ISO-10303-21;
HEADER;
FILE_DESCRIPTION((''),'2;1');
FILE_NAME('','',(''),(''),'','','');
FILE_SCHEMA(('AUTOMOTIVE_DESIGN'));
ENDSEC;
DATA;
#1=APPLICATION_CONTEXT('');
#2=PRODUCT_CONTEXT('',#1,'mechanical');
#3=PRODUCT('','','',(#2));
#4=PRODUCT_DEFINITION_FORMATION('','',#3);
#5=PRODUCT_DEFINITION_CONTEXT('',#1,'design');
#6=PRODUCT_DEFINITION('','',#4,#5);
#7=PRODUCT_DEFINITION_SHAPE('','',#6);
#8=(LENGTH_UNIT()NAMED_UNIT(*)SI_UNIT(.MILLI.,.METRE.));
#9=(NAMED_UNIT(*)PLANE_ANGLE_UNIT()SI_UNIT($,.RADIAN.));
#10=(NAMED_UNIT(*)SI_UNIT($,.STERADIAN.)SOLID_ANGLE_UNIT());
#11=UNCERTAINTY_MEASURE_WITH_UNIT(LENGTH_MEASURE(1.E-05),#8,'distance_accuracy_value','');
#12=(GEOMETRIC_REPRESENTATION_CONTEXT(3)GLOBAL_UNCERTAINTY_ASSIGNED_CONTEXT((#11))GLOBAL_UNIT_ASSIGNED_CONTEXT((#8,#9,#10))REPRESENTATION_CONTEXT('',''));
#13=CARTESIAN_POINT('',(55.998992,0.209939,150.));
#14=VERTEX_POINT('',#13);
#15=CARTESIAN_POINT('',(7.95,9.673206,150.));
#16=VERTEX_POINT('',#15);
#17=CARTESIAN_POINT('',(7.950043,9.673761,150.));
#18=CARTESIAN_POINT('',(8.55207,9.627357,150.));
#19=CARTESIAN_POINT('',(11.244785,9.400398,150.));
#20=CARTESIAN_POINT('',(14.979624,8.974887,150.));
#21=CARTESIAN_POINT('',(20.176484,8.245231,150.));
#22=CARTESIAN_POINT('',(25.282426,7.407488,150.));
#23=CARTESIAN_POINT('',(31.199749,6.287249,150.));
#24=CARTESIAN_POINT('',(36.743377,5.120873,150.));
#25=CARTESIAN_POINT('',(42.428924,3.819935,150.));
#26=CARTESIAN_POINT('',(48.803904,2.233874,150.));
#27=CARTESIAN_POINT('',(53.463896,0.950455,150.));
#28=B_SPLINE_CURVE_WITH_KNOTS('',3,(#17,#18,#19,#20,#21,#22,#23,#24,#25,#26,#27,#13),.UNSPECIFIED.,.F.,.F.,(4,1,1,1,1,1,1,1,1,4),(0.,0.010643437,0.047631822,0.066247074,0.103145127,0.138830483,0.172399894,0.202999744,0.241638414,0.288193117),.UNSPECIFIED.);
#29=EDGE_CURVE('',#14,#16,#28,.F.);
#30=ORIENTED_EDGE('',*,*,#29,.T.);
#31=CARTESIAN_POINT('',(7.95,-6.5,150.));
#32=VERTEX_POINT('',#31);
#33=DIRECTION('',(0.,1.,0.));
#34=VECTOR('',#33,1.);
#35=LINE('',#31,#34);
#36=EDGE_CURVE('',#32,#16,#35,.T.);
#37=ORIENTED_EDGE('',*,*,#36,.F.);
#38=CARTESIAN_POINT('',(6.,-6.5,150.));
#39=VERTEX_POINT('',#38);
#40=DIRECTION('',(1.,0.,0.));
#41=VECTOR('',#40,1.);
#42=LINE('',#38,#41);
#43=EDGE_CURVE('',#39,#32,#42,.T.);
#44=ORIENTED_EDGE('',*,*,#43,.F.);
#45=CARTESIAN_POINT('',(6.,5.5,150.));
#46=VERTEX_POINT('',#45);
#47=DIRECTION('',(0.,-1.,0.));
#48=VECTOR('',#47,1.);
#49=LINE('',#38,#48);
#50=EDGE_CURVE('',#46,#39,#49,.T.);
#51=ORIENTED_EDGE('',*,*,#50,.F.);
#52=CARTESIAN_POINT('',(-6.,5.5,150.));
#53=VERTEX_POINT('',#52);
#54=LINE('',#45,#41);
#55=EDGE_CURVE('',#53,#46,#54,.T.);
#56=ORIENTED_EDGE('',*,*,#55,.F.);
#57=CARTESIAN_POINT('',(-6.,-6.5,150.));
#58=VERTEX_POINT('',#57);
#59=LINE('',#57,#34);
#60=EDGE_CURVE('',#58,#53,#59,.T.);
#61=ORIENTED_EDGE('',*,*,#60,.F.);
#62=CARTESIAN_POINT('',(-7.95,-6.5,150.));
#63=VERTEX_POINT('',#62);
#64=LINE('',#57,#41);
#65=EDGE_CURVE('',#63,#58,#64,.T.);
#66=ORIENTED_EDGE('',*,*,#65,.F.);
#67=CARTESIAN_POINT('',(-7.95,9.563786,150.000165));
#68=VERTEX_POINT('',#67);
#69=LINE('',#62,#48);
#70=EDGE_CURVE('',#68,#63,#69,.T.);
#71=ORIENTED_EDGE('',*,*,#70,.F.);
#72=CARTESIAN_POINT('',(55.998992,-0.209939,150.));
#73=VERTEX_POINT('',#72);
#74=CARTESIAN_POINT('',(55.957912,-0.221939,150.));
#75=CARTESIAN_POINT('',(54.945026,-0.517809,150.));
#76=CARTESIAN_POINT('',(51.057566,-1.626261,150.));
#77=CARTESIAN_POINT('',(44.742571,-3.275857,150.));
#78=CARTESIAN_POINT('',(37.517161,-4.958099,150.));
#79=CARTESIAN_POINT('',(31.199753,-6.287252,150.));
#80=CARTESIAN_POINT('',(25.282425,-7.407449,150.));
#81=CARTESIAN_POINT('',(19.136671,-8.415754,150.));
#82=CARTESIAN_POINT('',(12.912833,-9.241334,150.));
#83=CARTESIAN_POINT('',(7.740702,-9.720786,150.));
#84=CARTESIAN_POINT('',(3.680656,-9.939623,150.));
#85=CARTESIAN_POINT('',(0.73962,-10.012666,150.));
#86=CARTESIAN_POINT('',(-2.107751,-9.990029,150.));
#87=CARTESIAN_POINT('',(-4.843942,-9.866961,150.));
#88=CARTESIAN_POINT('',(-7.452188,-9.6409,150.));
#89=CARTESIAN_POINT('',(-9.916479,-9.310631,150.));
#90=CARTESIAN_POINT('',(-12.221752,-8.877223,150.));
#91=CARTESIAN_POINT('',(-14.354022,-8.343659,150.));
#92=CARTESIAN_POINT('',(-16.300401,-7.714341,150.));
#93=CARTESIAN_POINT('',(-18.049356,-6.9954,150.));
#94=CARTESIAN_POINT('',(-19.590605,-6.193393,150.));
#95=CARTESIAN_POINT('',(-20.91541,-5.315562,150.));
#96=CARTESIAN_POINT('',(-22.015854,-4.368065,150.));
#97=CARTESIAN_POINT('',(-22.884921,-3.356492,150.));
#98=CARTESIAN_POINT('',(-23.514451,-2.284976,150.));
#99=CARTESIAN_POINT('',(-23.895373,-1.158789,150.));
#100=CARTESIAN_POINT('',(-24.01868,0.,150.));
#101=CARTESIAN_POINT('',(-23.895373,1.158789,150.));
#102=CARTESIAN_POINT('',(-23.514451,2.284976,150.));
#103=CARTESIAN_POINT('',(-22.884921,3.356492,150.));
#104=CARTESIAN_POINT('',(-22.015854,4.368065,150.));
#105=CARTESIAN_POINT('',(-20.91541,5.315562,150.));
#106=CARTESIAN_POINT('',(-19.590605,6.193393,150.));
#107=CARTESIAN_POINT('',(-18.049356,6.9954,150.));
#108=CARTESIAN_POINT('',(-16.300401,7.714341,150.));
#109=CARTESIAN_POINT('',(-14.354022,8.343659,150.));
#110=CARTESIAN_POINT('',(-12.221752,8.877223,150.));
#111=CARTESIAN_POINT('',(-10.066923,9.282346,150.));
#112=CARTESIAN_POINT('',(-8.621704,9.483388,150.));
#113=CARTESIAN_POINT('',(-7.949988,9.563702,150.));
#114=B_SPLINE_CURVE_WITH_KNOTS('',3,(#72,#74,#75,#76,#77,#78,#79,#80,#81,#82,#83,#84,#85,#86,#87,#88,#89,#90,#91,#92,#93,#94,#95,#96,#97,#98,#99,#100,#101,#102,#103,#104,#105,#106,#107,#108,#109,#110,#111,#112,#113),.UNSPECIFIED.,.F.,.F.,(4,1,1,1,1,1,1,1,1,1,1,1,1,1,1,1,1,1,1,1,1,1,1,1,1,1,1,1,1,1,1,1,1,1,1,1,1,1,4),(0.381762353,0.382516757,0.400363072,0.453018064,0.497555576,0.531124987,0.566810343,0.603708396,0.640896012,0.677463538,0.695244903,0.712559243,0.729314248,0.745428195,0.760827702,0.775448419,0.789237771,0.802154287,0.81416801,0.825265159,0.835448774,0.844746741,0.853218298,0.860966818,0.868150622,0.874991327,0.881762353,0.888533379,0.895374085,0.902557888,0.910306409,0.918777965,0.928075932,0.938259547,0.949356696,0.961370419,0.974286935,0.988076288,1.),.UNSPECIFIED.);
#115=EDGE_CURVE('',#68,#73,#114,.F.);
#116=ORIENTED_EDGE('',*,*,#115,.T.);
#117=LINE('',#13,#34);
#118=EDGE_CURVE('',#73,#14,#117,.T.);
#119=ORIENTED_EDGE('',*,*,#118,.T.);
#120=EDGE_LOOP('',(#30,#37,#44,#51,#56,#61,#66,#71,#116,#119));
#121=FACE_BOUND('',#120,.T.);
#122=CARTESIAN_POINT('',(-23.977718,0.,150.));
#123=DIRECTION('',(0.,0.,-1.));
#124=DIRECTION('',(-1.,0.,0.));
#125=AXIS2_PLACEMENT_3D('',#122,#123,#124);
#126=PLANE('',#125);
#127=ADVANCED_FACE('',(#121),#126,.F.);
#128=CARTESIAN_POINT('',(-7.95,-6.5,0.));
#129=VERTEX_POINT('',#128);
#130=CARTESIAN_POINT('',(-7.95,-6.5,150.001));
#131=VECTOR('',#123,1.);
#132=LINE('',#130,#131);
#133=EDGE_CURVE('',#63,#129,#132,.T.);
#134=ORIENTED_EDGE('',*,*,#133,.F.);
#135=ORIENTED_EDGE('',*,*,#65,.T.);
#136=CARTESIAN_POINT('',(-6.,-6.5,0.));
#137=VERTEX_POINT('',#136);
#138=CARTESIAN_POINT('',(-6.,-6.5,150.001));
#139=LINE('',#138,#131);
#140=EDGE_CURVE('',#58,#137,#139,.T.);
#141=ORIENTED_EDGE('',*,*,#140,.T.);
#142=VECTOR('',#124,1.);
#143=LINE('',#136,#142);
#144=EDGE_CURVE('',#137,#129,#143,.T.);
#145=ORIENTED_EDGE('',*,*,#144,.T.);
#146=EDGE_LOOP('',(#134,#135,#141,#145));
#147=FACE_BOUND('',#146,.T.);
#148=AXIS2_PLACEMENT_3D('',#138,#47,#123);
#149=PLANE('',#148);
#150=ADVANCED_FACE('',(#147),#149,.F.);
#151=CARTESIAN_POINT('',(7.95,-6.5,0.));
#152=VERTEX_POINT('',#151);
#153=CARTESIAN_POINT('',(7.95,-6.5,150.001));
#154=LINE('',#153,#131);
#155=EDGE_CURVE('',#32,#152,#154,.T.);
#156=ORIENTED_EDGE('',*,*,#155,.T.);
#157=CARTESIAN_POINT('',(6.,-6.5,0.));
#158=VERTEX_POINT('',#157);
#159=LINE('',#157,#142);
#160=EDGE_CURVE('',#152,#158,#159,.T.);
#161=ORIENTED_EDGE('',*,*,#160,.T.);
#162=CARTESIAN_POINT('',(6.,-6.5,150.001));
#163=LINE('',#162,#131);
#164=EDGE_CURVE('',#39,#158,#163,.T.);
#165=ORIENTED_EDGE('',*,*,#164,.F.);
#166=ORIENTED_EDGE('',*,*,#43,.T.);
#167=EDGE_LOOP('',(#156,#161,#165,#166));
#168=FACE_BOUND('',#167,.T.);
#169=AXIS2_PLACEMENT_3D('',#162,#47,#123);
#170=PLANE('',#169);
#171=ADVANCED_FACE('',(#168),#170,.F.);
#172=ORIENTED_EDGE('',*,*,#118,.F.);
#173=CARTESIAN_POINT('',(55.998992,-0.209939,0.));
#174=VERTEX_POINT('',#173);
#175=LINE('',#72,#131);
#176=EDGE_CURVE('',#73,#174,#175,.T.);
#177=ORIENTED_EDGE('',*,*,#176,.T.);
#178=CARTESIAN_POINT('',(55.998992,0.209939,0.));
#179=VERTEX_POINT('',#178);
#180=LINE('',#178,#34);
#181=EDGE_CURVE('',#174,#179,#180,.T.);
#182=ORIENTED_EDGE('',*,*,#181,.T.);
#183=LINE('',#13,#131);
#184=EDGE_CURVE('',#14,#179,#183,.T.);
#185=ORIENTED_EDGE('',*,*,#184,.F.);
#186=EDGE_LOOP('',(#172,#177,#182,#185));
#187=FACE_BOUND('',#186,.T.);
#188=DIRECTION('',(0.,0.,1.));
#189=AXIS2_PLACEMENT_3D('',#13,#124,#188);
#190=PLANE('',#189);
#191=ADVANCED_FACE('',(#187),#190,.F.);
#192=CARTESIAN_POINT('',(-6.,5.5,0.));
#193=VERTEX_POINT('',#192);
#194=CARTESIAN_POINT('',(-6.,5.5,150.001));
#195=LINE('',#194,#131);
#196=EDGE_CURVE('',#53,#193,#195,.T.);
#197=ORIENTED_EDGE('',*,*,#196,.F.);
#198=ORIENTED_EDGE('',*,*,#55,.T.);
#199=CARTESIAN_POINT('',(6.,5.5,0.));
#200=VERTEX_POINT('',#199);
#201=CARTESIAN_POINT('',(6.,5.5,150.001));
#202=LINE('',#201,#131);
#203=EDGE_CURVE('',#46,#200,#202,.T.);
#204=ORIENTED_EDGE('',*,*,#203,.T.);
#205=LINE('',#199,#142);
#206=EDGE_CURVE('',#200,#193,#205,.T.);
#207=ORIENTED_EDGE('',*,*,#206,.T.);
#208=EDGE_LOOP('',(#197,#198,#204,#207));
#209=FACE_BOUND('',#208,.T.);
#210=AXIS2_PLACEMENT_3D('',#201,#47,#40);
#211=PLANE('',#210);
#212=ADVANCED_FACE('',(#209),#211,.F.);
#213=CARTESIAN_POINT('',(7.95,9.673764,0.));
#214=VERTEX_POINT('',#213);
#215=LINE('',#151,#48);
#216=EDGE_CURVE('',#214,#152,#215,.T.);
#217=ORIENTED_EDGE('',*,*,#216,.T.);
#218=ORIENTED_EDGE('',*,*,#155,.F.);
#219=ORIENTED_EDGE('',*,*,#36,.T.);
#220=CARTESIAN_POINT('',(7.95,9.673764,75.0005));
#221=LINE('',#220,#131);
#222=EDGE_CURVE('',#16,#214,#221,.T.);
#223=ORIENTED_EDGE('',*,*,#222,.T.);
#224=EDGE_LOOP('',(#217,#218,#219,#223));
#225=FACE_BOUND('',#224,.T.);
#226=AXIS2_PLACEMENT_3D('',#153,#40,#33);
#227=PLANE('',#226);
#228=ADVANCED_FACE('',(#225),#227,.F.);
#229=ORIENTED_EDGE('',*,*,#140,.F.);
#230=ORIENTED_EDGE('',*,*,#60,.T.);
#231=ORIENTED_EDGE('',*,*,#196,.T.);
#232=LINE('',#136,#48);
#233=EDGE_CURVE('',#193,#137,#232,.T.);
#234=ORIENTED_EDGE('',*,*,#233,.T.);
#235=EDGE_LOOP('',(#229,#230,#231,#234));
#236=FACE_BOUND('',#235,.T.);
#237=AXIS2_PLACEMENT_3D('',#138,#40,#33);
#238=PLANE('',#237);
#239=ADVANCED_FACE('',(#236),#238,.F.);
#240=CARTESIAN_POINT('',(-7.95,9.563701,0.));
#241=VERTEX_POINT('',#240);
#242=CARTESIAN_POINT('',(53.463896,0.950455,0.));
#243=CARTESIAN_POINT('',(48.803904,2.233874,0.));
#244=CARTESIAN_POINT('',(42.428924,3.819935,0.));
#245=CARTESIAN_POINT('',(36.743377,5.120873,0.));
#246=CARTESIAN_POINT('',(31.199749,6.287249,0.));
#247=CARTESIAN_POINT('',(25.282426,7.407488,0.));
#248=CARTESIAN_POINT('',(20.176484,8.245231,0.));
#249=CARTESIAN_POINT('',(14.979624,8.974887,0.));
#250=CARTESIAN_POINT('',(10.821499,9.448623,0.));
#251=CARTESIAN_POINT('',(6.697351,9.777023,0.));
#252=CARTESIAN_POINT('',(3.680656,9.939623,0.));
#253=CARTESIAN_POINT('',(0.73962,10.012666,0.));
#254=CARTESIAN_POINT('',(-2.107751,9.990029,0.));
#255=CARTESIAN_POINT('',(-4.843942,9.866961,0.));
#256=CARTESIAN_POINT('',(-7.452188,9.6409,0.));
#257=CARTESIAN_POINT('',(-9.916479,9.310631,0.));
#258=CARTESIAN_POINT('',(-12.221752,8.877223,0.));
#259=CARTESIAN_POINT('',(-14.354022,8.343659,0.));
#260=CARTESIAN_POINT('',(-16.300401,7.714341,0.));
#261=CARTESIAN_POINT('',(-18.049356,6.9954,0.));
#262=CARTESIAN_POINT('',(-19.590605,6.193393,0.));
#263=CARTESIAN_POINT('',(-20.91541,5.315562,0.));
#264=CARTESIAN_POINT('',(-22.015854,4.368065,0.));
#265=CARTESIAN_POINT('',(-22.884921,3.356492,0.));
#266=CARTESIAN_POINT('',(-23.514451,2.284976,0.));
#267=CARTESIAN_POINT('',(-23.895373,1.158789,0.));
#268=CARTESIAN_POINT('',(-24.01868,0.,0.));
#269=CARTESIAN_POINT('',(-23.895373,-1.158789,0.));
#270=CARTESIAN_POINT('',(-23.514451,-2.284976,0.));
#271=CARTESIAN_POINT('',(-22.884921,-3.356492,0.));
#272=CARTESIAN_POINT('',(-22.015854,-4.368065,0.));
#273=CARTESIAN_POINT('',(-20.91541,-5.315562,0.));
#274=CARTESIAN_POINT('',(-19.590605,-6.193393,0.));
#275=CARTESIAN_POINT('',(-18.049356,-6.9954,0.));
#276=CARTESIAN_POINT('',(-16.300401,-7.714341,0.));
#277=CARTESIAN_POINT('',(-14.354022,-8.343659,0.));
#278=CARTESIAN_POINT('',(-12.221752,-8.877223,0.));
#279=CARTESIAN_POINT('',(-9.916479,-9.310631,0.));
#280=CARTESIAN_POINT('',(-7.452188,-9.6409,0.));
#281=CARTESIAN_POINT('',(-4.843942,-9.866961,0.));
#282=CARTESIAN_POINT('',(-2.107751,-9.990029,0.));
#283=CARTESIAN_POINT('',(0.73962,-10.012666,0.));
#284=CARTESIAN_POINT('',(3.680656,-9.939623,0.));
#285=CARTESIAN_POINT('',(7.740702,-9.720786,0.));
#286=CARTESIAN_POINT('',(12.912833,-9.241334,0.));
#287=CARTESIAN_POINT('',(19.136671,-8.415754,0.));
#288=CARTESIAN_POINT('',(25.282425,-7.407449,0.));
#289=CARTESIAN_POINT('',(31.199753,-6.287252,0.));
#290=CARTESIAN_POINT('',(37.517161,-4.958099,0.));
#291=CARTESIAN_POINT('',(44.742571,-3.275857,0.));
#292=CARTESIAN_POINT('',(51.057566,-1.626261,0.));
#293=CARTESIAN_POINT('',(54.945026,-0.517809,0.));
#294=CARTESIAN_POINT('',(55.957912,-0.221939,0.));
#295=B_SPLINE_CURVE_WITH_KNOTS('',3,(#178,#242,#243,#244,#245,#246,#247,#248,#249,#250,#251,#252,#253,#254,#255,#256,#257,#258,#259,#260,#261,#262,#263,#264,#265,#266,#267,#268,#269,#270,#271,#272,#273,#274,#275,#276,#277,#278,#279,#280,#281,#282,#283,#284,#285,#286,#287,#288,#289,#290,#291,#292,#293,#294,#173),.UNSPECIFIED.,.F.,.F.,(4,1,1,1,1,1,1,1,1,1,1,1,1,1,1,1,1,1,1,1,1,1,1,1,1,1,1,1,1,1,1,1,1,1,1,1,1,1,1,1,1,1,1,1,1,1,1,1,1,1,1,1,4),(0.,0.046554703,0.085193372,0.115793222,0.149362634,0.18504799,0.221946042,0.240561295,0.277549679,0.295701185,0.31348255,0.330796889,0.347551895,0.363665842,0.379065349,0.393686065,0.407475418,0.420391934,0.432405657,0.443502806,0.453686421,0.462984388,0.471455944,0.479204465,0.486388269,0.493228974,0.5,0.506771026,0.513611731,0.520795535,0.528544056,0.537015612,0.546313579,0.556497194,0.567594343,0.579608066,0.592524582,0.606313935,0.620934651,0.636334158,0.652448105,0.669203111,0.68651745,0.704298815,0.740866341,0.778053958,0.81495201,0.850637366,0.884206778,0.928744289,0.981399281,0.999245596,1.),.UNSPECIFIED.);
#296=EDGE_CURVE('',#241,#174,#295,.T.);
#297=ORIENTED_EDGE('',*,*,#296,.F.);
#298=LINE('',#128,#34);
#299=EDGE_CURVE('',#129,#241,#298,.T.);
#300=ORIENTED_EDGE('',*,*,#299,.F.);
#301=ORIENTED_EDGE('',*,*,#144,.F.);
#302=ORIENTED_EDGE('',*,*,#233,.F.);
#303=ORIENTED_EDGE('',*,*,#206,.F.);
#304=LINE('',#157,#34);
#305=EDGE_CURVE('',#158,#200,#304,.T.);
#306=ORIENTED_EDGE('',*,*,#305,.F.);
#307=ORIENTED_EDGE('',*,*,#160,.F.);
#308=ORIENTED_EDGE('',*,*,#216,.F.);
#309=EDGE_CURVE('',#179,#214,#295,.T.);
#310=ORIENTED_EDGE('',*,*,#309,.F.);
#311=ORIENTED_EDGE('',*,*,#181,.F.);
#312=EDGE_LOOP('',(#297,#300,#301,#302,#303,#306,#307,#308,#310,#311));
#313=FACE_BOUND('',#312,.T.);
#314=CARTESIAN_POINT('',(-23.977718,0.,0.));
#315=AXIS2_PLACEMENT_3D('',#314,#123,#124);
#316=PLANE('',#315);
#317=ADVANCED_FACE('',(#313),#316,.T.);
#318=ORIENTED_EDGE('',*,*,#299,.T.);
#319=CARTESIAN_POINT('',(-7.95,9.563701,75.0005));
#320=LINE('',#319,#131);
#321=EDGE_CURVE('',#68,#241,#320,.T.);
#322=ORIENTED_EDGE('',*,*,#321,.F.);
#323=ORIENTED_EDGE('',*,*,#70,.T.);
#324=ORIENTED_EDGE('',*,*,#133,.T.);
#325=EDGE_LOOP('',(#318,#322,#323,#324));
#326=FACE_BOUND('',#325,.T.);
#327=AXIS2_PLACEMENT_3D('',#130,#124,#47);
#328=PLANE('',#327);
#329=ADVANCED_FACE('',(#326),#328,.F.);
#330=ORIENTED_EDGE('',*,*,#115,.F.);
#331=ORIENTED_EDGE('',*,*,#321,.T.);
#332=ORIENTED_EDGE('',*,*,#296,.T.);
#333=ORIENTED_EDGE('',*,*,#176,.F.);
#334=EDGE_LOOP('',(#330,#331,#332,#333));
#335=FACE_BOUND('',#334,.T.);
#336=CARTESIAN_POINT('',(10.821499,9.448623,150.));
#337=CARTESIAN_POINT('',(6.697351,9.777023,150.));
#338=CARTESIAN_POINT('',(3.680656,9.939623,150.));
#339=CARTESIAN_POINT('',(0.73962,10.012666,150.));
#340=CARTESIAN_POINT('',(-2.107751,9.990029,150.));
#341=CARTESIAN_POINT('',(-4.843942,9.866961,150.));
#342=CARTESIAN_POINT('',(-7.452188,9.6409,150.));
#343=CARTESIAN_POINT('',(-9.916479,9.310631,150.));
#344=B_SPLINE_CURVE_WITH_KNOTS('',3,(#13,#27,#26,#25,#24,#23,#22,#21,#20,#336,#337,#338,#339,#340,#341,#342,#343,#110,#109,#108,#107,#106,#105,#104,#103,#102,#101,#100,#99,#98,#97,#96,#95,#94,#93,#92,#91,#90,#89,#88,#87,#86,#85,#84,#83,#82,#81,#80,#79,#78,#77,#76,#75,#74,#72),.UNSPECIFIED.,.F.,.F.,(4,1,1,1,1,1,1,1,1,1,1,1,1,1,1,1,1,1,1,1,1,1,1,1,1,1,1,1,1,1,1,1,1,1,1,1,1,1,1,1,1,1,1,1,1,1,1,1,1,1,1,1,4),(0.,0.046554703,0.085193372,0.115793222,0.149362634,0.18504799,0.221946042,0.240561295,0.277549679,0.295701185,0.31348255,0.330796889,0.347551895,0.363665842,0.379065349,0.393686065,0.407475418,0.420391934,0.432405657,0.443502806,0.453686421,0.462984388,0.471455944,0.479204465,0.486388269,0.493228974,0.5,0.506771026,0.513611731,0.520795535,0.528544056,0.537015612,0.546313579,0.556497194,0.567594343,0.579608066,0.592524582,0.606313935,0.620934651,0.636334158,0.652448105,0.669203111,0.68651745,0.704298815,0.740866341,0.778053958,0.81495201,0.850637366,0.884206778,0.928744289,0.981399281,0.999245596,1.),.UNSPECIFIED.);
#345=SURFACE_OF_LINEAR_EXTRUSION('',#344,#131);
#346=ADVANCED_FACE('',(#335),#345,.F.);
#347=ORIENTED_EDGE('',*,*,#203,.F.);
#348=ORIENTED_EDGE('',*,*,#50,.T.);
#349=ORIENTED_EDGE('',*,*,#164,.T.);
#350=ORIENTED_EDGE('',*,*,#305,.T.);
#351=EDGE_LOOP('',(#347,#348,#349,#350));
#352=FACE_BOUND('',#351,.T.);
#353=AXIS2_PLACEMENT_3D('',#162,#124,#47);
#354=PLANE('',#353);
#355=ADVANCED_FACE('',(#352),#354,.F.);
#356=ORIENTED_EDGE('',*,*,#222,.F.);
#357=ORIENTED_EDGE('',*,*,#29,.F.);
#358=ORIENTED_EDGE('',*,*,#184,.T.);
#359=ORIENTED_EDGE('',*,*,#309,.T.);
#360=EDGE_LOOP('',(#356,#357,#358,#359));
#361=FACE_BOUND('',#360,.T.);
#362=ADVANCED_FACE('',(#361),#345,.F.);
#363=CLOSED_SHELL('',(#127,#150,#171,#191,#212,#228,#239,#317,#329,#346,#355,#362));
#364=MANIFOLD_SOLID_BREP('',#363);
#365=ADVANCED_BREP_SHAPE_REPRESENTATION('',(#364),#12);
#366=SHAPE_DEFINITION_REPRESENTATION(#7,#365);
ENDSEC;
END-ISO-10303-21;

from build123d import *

# Parameters (mm, degrees)
BOSS_EXTRUDE1_DEPTH = 150
CUT_EXTRUDE1_REACH  = 152


with BuildPart() as part:
    # Sketch2 → Boss-Extrude1 (new body)
    with BuildSketch(Plane.XY):
        with BuildLine():
            Line((55.998991919, 0.209938863), (55.998991919, -0.209938863))
            add(Edge.make_bspline(
                [(55.998991919, 0.209938863), (53.463896497, 0.950455214), (48.803904258, 2.233873897), (42.428923908, 3.819934884), (36.743376831, 5.120873453), (31.199749362, 6.287249396), (25.282426203, 7.407488419), (20.176484373, 8.245231015), (14.979623954, 8.974887306), (10.821499069, 9.44862332), (6.697350987, 9.777022894), (3.680655604, 9.939622605), (0.739619613, 10.012665726), (-2.107751213, 9.990028944), (-4.843941705, 9.866960982), (-7.452188048, 9.640899897), (-9.916478705, 9.310630744), (-12.221751766, 8.877222993), (-14.354021752, 8.343659433), (-16.300401345, 7.714341159), (-18.049355518, 6.995399514), (-19.590605164, 6.19339349), (-20.915410238, 5.315562027), (-22.015853697, 4.368064829), (-22.884921184, 3.356491652), (-23.514451457, 2.28497611), (-23.895372624, 1.158788991), (-24.018679664, 0), (-23.895372624, -1.158788991), (-23.514451457, -2.28497611), (-22.884921184, -3.356491652), (-22.015853697, -4.368064829), (-20.915410238, -5.315562027), (-19.590605164, -6.19339349), (-18.049355518, -6.995399514), (-16.300401345, -7.714341159), (-14.354021752, -8.343659433), (-12.221751766, -8.877222993), (-9.916478705, -9.310630744), (-7.452188048, -9.640899897), (-4.843941705, -9.866960982), (-2.107751213, -9.990028944), (0.739619613, -10.012665726), (3.680655604, -9.939622605), (7.74070187, -9.72078634), (12.912832982, -9.241334238), (19.136671313, -8.415754469), (25.28242537, -7.407448977), (31.199752667, -6.287252304), (37.517160947, -4.95809922), (44.742570872, -3.275857272), (51.057566095, -1.626260629), (54.945025722, -0.517808616), (55.95791152, -0.221938691), (55.998991919, -0.209938863)],
                knots=[0, 0, 0, 0, 0.046554703, 0.085193372, 0.115793222, 0.149362634, 0.18504799, 0.221946042, 0.240561295, 0.277549679, 0.295701185, 0.31348255, 0.330796889, 0.347551895, 0.363665842, 0.379065349, 0.393686065, 0.407475418, 0.420391934, 0.432405657, 0.443502806, 0.453686421, 0.462984388, 0.471455944, 0.479204465, 0.486388269, 0.493228974, 0.5, 0.506771026, 0.513611731, 0.520795535, 0.528544056, 0.537015612, 0.546313579, 0.556497194, 0.567594343, 0.579608066, 0.592524582, 0.606313935, 0.620934651, 0.636334158, 0.652448105, 0.669203111, 0.68651745, 0.704298815, 0.740866341, 0.778053958, 0.81495201, 0.850637366, 0.884206778, 0.928744289, 0.981399281, 0.999245596, 1, 1, 1, 1], degree=3))
        make_face()
    extrude(amount=BOSS_EXTRUDE1_DEPTH)

    # Sketch3 → Cut-Extrude1 (cut, up to next)
    with BuildSketch(Plane(origin=(0, 0, 0), x_dir=(-1, 0, 0), z_dir=(0, 0, -1)), mode=Mode.PRIVATE) as cut_extrude1_sk1:
        with BuildLine():
            Line((6, -6.5), (7.95, -6.5))
            Line((7.95, -6.5), (7.95, 9.56370057))
            add(Edge.make_bspline(
                [(-7.95, 9.673763928), (-7.525333967, 9.706496284), (-6.094337758, 9.809525273), (-3.680655604, 9.939622605), (-0.739619613, 10.012665726), (2.107751213, 9.990028944), (4.843941705, 9.866960982), (6.778071836, 9.69932668), (7.798061571, 9.581867182), (7.95, 9.56370057)],
                knots=[0.28819337, 0.28819337, 0.28819337, 0.28819337, 0.295701185, 0.31348255, 0.330796889, 0.347551895, 0.363665842, 0.379065349, 0.381762425, 0.381762425, 0.381762425, 0.381762425], degree=3))
            Line((-7.95, 9.673763928), (-7.95, -6.5))
            Line((-7.95, -6.5), (-6, -6.5))
            Line((-6, -6.5), (-6, 5.5))
            Line((-6, 5.5), (6, 5.5))
            Line((6, 5.5), (6, -6.5))
        make_face()
    cut_extrude1_tool1 = extrude(cut_extrude1_sk1.sketch, amount=-CUT_EXTRUDE1_REACH, mode=Mode.PRIVATE) & part.part
    add(cut_extrude1_tool1.solids().sort_by_distance((-6.975, -6.270858, 0))[0], mode=Mode.SUBTRACT)


solid = part.part
